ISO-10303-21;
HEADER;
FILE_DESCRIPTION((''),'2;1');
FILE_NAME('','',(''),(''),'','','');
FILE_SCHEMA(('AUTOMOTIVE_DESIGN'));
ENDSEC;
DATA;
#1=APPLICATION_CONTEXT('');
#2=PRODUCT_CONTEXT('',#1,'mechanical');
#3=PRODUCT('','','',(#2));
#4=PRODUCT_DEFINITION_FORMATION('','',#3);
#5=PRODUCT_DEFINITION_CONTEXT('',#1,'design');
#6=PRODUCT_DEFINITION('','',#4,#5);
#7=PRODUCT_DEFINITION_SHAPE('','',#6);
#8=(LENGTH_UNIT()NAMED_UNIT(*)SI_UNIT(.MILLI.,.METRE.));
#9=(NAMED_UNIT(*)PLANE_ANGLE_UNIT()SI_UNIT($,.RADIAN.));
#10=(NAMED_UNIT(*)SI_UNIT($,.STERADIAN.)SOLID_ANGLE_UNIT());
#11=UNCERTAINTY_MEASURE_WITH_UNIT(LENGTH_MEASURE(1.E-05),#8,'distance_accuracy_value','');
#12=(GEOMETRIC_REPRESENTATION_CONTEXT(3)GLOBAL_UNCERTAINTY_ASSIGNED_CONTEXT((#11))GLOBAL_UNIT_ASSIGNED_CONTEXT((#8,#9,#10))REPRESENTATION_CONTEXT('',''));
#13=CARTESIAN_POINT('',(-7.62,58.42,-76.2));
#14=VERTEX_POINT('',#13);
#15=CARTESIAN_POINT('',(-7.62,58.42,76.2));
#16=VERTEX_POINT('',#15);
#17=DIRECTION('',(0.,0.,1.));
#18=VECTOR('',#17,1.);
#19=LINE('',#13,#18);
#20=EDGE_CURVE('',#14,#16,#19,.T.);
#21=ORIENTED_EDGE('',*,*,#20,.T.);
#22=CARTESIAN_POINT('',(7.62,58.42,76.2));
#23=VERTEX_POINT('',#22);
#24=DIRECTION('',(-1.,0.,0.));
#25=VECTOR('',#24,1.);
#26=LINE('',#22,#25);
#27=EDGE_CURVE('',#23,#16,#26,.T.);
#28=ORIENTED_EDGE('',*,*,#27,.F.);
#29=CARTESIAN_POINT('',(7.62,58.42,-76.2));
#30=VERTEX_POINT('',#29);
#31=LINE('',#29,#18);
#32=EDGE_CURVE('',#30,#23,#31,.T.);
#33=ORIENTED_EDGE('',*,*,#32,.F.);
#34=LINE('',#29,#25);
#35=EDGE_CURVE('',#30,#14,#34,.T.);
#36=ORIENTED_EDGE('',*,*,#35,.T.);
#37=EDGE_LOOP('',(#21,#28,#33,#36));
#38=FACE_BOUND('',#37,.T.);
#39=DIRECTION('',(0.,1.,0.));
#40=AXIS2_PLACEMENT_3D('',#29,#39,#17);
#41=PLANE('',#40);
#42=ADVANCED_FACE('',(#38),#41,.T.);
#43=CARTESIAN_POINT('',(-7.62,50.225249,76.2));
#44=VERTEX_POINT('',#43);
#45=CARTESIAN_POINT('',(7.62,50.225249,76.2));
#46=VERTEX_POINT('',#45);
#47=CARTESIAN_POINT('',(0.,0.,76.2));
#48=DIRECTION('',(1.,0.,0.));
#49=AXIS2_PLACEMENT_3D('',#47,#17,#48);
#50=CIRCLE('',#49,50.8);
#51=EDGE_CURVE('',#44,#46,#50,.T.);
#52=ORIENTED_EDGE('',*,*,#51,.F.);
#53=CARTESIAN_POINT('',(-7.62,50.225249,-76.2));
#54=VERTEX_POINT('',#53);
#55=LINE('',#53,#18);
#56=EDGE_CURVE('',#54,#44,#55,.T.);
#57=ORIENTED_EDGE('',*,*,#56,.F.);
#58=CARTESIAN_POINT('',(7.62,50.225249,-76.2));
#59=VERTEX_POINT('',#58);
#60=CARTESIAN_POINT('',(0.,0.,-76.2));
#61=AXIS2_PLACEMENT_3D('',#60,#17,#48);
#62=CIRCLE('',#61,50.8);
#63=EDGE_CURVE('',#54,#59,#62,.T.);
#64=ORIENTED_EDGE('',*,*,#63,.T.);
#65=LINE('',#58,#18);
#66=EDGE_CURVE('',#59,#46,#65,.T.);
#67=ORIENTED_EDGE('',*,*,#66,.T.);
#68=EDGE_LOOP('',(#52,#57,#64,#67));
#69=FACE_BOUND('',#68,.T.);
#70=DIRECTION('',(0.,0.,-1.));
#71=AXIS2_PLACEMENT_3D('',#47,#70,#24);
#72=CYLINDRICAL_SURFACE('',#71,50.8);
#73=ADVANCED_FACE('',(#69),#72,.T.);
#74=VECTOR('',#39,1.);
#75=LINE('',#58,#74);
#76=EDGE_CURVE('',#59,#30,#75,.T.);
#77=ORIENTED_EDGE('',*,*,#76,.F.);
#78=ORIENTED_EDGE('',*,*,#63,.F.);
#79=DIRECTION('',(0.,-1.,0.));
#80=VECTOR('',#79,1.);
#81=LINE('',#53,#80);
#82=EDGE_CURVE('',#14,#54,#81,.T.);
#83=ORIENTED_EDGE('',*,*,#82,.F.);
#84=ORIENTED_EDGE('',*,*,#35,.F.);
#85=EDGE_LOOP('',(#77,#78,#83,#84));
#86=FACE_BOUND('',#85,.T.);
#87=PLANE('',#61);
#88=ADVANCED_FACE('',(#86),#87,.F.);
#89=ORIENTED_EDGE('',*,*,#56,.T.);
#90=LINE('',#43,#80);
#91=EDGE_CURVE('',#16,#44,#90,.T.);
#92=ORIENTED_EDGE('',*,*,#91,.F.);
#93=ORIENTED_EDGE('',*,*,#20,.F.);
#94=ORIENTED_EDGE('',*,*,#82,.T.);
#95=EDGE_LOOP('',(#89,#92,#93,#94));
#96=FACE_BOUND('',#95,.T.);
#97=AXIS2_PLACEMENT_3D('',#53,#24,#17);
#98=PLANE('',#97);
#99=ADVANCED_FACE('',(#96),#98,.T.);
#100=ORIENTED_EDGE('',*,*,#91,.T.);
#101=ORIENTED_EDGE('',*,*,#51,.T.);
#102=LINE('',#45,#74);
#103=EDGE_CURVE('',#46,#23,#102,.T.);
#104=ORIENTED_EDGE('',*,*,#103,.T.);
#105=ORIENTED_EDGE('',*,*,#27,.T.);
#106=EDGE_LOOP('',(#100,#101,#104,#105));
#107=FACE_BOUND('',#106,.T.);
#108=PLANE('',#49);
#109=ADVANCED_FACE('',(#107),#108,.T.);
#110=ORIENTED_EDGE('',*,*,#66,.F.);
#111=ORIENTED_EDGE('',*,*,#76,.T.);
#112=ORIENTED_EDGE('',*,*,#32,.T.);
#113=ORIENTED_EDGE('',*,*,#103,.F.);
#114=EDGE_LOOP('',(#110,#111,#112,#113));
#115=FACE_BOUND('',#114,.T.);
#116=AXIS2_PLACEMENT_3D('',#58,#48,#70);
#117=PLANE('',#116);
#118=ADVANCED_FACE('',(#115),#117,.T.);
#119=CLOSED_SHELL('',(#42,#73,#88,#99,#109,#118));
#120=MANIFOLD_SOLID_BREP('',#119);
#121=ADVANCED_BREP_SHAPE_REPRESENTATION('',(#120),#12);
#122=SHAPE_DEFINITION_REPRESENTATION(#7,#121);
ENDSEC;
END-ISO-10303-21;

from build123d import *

# Parameters (mm, degrees)
SKETCH1_R           = 50.8
BOSS_EXTRUDE1_DEPTH = 76.2
BOSS_EXTRUDE2_DEPTH = 152.4


with BuildPart() as part:
    # Sketch1 → Boss-Extrude1 (new body, symmetric)
    with BuildSketch(Plane.XY):
        Circle(SKETCH1_R)
    extrude(amount=BOSS_EXTRUDE1_DEPTH, both=True)

    # Sketch2 → Boss-Extrude2 (add, through all)
    with BuildSketch(Plane.XY.offset(76.2)):
        with BuildLine():
            Line((7.62, 50.225248631), (7.62, 58.42))
            Line((7.62, 58.42), (-7.62, 58.42))
            Line((-7.62, 58.42), (-7.62, 50.225248631))
            ThreePointArc((-7.62, 50.225248631), (0, 50.8), (7.62, 50.225248631))
        make_face()
    extrude(amount=-BOSS_EXTRUDE2_DEPTH)


solid = part.part
